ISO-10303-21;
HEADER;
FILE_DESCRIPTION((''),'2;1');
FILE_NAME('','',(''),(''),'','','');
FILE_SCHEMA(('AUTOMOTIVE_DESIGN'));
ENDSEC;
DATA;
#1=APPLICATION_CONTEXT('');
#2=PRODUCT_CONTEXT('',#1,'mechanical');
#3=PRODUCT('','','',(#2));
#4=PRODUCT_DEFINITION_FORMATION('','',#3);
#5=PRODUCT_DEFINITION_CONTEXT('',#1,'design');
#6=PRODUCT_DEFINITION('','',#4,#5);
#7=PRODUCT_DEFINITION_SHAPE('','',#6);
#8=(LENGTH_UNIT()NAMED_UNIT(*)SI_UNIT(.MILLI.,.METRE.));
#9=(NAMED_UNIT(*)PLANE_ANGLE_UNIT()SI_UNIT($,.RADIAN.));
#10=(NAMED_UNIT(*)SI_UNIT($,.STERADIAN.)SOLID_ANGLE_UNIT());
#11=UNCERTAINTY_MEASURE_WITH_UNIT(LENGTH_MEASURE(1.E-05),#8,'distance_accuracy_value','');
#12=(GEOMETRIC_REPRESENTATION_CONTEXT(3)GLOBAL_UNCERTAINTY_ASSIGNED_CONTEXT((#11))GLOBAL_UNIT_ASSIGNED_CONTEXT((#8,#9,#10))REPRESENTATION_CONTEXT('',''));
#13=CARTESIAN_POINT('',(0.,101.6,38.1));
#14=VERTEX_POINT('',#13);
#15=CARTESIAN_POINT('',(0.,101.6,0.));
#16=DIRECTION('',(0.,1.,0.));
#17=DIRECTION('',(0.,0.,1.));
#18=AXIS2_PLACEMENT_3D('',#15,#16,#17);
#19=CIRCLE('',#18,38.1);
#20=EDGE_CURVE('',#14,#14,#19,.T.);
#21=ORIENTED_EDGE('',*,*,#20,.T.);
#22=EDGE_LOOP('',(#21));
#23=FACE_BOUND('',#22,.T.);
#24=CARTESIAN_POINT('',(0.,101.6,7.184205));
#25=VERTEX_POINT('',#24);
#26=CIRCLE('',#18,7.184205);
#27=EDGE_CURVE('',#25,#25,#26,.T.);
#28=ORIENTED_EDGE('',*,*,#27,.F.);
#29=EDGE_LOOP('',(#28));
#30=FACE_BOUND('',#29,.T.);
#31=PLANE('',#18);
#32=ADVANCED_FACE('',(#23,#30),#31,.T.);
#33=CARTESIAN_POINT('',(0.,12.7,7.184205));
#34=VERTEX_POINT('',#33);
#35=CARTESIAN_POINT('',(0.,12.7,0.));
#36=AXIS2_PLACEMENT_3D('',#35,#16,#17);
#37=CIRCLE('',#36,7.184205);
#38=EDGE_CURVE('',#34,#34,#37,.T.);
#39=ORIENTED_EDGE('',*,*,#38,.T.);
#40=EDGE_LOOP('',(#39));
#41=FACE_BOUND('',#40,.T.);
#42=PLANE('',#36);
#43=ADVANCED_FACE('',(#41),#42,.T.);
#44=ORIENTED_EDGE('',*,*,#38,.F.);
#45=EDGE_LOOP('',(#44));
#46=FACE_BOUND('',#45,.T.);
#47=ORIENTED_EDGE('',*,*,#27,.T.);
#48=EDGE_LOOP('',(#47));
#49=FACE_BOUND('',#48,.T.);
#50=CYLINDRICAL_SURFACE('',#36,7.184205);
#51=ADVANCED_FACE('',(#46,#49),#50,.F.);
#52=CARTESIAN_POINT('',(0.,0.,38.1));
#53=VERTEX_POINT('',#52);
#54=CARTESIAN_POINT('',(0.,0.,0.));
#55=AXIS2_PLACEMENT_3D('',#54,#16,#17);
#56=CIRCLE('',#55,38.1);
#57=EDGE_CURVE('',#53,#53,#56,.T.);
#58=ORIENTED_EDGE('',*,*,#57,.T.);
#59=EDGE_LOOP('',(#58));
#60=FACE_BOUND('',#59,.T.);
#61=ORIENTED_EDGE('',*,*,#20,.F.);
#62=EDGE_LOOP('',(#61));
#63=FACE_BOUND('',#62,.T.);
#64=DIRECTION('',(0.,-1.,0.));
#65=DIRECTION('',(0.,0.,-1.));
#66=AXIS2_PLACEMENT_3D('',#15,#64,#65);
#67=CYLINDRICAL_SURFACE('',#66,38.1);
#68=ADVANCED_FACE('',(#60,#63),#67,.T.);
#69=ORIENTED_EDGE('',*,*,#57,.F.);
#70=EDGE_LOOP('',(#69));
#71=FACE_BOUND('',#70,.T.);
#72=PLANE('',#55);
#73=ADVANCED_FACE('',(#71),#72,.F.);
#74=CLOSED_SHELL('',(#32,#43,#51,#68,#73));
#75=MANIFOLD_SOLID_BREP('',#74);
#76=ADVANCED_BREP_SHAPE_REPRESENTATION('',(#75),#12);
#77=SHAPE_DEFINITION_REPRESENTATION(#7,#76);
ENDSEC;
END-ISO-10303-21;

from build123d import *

# Parameters (mm, degrees)
SKETCH5_R           = 38.1
BOSS_EXTRUDE1_DEPTH = 101.6
SKETCH7_R           = 7.184204897
CUT_EXTRUDE1_DEPTH  = 88.9


with BuildPart() as part:
    # Sketch5 → Boss-Extrude1 (new body)
    with BuildSketch(Plane(origin=(0, 0, 0), x_dir=(1, 0, 0), z_dir=(0, 1, 0))):
        with Locations(Location((0, 0, 0), (0, 0, 270))):
            Circle(SKETCH5_R)
    extrude(amount=BOSS_EXTRUDE1_DEPTH)

    # Sketch7 → Cut-Extrude1 (cut)
    with BuildSketch(Plane(origin=(0, 101.6, 0), x_dir=(1, 0, 0), z_dir=(0, 1, 0))):
        with Locations(Location((0, 0, 0), (0, 0, 270))):
            Circle(SKETCH7_R)
    extrude(amount=-CUT_EXTRUDE1_DEPTH, mode=Mode.SUBTRACT)


solid = part.part
